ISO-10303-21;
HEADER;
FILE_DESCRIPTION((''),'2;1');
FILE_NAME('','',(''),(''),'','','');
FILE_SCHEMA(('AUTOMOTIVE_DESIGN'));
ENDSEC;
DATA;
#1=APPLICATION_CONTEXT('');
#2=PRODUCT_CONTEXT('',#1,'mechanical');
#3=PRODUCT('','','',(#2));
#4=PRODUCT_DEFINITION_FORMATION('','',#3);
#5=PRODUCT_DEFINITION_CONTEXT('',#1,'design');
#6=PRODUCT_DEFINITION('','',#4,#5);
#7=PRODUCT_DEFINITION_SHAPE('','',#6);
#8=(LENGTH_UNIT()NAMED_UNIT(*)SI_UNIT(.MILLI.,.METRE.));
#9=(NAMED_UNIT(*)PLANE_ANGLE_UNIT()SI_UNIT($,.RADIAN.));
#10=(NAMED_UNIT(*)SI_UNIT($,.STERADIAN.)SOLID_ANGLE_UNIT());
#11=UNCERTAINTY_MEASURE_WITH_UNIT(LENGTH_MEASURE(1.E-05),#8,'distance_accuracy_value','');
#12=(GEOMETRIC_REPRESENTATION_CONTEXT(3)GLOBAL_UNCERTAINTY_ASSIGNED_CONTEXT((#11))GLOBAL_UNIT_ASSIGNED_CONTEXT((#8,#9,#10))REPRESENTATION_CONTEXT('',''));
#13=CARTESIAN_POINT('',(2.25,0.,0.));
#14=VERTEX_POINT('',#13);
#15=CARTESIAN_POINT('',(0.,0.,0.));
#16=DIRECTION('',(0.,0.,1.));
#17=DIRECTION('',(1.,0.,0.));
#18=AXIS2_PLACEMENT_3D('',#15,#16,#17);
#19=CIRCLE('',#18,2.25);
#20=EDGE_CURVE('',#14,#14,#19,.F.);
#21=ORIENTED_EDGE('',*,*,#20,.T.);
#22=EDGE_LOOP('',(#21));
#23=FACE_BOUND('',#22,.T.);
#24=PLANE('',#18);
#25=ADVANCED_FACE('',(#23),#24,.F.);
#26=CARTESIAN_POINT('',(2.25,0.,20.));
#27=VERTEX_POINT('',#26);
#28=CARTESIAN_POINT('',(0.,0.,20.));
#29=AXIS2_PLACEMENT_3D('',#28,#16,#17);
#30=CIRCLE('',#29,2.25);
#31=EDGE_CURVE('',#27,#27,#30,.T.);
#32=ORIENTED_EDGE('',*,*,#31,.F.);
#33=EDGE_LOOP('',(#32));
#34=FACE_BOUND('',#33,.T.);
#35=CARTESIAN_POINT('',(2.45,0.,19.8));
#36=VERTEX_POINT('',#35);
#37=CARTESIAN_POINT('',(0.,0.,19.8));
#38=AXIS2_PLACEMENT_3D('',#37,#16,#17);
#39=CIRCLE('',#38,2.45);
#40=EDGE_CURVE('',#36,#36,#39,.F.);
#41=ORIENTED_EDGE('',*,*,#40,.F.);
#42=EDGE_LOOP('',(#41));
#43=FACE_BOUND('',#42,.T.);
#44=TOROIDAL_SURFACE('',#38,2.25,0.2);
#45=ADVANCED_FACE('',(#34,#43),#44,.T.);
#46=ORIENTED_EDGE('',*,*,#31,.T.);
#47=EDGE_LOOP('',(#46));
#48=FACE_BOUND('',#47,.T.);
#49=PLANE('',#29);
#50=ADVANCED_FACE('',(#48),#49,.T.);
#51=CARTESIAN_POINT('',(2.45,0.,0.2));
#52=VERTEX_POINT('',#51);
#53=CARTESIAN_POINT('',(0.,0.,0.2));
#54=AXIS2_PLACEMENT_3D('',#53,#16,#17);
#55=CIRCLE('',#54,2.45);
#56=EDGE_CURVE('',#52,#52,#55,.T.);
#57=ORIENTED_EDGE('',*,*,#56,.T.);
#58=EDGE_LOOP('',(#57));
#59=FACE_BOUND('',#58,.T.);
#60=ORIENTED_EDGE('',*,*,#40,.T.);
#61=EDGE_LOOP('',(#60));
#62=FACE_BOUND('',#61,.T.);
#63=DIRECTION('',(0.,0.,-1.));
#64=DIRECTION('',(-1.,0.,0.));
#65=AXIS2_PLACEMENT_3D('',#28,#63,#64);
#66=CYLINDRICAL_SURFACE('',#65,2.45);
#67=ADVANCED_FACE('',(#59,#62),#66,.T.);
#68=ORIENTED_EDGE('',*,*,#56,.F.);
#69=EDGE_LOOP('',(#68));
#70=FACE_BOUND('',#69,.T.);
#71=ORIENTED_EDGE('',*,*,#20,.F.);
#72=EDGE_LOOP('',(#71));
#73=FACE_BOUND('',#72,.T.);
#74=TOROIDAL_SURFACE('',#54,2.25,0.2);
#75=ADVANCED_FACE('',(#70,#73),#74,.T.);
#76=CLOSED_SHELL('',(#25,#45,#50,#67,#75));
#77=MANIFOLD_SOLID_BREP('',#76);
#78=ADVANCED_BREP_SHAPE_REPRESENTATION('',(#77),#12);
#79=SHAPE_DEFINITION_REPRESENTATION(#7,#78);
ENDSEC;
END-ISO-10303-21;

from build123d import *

# Parameters (mm, degrees)
CROQUIS1_R              = 2.45
SALIENTE_EXTRUIR1_DEPTH = 20
REDONDEO1_R             = 0.2


with BuildPart() as part:
    # Croquis1 → Saliente-Extruir1 (new body)
    with BuildSketch(Plane.XY):
        Circle(CROQUIS1_R)
    extrude(amount=SALIENTE_EXTRUIR1_DEPTH)

    # Redondeo1
    redondeo1_edges = [part.edges().sort_by_distance(p)[0] for p in [
        (-2.45, 0, 0),
        (-2.45, 0, 20),
    ]]
    fillet(redondeo1_edges, radius=REDONDEO1_R)


solid = part.part
